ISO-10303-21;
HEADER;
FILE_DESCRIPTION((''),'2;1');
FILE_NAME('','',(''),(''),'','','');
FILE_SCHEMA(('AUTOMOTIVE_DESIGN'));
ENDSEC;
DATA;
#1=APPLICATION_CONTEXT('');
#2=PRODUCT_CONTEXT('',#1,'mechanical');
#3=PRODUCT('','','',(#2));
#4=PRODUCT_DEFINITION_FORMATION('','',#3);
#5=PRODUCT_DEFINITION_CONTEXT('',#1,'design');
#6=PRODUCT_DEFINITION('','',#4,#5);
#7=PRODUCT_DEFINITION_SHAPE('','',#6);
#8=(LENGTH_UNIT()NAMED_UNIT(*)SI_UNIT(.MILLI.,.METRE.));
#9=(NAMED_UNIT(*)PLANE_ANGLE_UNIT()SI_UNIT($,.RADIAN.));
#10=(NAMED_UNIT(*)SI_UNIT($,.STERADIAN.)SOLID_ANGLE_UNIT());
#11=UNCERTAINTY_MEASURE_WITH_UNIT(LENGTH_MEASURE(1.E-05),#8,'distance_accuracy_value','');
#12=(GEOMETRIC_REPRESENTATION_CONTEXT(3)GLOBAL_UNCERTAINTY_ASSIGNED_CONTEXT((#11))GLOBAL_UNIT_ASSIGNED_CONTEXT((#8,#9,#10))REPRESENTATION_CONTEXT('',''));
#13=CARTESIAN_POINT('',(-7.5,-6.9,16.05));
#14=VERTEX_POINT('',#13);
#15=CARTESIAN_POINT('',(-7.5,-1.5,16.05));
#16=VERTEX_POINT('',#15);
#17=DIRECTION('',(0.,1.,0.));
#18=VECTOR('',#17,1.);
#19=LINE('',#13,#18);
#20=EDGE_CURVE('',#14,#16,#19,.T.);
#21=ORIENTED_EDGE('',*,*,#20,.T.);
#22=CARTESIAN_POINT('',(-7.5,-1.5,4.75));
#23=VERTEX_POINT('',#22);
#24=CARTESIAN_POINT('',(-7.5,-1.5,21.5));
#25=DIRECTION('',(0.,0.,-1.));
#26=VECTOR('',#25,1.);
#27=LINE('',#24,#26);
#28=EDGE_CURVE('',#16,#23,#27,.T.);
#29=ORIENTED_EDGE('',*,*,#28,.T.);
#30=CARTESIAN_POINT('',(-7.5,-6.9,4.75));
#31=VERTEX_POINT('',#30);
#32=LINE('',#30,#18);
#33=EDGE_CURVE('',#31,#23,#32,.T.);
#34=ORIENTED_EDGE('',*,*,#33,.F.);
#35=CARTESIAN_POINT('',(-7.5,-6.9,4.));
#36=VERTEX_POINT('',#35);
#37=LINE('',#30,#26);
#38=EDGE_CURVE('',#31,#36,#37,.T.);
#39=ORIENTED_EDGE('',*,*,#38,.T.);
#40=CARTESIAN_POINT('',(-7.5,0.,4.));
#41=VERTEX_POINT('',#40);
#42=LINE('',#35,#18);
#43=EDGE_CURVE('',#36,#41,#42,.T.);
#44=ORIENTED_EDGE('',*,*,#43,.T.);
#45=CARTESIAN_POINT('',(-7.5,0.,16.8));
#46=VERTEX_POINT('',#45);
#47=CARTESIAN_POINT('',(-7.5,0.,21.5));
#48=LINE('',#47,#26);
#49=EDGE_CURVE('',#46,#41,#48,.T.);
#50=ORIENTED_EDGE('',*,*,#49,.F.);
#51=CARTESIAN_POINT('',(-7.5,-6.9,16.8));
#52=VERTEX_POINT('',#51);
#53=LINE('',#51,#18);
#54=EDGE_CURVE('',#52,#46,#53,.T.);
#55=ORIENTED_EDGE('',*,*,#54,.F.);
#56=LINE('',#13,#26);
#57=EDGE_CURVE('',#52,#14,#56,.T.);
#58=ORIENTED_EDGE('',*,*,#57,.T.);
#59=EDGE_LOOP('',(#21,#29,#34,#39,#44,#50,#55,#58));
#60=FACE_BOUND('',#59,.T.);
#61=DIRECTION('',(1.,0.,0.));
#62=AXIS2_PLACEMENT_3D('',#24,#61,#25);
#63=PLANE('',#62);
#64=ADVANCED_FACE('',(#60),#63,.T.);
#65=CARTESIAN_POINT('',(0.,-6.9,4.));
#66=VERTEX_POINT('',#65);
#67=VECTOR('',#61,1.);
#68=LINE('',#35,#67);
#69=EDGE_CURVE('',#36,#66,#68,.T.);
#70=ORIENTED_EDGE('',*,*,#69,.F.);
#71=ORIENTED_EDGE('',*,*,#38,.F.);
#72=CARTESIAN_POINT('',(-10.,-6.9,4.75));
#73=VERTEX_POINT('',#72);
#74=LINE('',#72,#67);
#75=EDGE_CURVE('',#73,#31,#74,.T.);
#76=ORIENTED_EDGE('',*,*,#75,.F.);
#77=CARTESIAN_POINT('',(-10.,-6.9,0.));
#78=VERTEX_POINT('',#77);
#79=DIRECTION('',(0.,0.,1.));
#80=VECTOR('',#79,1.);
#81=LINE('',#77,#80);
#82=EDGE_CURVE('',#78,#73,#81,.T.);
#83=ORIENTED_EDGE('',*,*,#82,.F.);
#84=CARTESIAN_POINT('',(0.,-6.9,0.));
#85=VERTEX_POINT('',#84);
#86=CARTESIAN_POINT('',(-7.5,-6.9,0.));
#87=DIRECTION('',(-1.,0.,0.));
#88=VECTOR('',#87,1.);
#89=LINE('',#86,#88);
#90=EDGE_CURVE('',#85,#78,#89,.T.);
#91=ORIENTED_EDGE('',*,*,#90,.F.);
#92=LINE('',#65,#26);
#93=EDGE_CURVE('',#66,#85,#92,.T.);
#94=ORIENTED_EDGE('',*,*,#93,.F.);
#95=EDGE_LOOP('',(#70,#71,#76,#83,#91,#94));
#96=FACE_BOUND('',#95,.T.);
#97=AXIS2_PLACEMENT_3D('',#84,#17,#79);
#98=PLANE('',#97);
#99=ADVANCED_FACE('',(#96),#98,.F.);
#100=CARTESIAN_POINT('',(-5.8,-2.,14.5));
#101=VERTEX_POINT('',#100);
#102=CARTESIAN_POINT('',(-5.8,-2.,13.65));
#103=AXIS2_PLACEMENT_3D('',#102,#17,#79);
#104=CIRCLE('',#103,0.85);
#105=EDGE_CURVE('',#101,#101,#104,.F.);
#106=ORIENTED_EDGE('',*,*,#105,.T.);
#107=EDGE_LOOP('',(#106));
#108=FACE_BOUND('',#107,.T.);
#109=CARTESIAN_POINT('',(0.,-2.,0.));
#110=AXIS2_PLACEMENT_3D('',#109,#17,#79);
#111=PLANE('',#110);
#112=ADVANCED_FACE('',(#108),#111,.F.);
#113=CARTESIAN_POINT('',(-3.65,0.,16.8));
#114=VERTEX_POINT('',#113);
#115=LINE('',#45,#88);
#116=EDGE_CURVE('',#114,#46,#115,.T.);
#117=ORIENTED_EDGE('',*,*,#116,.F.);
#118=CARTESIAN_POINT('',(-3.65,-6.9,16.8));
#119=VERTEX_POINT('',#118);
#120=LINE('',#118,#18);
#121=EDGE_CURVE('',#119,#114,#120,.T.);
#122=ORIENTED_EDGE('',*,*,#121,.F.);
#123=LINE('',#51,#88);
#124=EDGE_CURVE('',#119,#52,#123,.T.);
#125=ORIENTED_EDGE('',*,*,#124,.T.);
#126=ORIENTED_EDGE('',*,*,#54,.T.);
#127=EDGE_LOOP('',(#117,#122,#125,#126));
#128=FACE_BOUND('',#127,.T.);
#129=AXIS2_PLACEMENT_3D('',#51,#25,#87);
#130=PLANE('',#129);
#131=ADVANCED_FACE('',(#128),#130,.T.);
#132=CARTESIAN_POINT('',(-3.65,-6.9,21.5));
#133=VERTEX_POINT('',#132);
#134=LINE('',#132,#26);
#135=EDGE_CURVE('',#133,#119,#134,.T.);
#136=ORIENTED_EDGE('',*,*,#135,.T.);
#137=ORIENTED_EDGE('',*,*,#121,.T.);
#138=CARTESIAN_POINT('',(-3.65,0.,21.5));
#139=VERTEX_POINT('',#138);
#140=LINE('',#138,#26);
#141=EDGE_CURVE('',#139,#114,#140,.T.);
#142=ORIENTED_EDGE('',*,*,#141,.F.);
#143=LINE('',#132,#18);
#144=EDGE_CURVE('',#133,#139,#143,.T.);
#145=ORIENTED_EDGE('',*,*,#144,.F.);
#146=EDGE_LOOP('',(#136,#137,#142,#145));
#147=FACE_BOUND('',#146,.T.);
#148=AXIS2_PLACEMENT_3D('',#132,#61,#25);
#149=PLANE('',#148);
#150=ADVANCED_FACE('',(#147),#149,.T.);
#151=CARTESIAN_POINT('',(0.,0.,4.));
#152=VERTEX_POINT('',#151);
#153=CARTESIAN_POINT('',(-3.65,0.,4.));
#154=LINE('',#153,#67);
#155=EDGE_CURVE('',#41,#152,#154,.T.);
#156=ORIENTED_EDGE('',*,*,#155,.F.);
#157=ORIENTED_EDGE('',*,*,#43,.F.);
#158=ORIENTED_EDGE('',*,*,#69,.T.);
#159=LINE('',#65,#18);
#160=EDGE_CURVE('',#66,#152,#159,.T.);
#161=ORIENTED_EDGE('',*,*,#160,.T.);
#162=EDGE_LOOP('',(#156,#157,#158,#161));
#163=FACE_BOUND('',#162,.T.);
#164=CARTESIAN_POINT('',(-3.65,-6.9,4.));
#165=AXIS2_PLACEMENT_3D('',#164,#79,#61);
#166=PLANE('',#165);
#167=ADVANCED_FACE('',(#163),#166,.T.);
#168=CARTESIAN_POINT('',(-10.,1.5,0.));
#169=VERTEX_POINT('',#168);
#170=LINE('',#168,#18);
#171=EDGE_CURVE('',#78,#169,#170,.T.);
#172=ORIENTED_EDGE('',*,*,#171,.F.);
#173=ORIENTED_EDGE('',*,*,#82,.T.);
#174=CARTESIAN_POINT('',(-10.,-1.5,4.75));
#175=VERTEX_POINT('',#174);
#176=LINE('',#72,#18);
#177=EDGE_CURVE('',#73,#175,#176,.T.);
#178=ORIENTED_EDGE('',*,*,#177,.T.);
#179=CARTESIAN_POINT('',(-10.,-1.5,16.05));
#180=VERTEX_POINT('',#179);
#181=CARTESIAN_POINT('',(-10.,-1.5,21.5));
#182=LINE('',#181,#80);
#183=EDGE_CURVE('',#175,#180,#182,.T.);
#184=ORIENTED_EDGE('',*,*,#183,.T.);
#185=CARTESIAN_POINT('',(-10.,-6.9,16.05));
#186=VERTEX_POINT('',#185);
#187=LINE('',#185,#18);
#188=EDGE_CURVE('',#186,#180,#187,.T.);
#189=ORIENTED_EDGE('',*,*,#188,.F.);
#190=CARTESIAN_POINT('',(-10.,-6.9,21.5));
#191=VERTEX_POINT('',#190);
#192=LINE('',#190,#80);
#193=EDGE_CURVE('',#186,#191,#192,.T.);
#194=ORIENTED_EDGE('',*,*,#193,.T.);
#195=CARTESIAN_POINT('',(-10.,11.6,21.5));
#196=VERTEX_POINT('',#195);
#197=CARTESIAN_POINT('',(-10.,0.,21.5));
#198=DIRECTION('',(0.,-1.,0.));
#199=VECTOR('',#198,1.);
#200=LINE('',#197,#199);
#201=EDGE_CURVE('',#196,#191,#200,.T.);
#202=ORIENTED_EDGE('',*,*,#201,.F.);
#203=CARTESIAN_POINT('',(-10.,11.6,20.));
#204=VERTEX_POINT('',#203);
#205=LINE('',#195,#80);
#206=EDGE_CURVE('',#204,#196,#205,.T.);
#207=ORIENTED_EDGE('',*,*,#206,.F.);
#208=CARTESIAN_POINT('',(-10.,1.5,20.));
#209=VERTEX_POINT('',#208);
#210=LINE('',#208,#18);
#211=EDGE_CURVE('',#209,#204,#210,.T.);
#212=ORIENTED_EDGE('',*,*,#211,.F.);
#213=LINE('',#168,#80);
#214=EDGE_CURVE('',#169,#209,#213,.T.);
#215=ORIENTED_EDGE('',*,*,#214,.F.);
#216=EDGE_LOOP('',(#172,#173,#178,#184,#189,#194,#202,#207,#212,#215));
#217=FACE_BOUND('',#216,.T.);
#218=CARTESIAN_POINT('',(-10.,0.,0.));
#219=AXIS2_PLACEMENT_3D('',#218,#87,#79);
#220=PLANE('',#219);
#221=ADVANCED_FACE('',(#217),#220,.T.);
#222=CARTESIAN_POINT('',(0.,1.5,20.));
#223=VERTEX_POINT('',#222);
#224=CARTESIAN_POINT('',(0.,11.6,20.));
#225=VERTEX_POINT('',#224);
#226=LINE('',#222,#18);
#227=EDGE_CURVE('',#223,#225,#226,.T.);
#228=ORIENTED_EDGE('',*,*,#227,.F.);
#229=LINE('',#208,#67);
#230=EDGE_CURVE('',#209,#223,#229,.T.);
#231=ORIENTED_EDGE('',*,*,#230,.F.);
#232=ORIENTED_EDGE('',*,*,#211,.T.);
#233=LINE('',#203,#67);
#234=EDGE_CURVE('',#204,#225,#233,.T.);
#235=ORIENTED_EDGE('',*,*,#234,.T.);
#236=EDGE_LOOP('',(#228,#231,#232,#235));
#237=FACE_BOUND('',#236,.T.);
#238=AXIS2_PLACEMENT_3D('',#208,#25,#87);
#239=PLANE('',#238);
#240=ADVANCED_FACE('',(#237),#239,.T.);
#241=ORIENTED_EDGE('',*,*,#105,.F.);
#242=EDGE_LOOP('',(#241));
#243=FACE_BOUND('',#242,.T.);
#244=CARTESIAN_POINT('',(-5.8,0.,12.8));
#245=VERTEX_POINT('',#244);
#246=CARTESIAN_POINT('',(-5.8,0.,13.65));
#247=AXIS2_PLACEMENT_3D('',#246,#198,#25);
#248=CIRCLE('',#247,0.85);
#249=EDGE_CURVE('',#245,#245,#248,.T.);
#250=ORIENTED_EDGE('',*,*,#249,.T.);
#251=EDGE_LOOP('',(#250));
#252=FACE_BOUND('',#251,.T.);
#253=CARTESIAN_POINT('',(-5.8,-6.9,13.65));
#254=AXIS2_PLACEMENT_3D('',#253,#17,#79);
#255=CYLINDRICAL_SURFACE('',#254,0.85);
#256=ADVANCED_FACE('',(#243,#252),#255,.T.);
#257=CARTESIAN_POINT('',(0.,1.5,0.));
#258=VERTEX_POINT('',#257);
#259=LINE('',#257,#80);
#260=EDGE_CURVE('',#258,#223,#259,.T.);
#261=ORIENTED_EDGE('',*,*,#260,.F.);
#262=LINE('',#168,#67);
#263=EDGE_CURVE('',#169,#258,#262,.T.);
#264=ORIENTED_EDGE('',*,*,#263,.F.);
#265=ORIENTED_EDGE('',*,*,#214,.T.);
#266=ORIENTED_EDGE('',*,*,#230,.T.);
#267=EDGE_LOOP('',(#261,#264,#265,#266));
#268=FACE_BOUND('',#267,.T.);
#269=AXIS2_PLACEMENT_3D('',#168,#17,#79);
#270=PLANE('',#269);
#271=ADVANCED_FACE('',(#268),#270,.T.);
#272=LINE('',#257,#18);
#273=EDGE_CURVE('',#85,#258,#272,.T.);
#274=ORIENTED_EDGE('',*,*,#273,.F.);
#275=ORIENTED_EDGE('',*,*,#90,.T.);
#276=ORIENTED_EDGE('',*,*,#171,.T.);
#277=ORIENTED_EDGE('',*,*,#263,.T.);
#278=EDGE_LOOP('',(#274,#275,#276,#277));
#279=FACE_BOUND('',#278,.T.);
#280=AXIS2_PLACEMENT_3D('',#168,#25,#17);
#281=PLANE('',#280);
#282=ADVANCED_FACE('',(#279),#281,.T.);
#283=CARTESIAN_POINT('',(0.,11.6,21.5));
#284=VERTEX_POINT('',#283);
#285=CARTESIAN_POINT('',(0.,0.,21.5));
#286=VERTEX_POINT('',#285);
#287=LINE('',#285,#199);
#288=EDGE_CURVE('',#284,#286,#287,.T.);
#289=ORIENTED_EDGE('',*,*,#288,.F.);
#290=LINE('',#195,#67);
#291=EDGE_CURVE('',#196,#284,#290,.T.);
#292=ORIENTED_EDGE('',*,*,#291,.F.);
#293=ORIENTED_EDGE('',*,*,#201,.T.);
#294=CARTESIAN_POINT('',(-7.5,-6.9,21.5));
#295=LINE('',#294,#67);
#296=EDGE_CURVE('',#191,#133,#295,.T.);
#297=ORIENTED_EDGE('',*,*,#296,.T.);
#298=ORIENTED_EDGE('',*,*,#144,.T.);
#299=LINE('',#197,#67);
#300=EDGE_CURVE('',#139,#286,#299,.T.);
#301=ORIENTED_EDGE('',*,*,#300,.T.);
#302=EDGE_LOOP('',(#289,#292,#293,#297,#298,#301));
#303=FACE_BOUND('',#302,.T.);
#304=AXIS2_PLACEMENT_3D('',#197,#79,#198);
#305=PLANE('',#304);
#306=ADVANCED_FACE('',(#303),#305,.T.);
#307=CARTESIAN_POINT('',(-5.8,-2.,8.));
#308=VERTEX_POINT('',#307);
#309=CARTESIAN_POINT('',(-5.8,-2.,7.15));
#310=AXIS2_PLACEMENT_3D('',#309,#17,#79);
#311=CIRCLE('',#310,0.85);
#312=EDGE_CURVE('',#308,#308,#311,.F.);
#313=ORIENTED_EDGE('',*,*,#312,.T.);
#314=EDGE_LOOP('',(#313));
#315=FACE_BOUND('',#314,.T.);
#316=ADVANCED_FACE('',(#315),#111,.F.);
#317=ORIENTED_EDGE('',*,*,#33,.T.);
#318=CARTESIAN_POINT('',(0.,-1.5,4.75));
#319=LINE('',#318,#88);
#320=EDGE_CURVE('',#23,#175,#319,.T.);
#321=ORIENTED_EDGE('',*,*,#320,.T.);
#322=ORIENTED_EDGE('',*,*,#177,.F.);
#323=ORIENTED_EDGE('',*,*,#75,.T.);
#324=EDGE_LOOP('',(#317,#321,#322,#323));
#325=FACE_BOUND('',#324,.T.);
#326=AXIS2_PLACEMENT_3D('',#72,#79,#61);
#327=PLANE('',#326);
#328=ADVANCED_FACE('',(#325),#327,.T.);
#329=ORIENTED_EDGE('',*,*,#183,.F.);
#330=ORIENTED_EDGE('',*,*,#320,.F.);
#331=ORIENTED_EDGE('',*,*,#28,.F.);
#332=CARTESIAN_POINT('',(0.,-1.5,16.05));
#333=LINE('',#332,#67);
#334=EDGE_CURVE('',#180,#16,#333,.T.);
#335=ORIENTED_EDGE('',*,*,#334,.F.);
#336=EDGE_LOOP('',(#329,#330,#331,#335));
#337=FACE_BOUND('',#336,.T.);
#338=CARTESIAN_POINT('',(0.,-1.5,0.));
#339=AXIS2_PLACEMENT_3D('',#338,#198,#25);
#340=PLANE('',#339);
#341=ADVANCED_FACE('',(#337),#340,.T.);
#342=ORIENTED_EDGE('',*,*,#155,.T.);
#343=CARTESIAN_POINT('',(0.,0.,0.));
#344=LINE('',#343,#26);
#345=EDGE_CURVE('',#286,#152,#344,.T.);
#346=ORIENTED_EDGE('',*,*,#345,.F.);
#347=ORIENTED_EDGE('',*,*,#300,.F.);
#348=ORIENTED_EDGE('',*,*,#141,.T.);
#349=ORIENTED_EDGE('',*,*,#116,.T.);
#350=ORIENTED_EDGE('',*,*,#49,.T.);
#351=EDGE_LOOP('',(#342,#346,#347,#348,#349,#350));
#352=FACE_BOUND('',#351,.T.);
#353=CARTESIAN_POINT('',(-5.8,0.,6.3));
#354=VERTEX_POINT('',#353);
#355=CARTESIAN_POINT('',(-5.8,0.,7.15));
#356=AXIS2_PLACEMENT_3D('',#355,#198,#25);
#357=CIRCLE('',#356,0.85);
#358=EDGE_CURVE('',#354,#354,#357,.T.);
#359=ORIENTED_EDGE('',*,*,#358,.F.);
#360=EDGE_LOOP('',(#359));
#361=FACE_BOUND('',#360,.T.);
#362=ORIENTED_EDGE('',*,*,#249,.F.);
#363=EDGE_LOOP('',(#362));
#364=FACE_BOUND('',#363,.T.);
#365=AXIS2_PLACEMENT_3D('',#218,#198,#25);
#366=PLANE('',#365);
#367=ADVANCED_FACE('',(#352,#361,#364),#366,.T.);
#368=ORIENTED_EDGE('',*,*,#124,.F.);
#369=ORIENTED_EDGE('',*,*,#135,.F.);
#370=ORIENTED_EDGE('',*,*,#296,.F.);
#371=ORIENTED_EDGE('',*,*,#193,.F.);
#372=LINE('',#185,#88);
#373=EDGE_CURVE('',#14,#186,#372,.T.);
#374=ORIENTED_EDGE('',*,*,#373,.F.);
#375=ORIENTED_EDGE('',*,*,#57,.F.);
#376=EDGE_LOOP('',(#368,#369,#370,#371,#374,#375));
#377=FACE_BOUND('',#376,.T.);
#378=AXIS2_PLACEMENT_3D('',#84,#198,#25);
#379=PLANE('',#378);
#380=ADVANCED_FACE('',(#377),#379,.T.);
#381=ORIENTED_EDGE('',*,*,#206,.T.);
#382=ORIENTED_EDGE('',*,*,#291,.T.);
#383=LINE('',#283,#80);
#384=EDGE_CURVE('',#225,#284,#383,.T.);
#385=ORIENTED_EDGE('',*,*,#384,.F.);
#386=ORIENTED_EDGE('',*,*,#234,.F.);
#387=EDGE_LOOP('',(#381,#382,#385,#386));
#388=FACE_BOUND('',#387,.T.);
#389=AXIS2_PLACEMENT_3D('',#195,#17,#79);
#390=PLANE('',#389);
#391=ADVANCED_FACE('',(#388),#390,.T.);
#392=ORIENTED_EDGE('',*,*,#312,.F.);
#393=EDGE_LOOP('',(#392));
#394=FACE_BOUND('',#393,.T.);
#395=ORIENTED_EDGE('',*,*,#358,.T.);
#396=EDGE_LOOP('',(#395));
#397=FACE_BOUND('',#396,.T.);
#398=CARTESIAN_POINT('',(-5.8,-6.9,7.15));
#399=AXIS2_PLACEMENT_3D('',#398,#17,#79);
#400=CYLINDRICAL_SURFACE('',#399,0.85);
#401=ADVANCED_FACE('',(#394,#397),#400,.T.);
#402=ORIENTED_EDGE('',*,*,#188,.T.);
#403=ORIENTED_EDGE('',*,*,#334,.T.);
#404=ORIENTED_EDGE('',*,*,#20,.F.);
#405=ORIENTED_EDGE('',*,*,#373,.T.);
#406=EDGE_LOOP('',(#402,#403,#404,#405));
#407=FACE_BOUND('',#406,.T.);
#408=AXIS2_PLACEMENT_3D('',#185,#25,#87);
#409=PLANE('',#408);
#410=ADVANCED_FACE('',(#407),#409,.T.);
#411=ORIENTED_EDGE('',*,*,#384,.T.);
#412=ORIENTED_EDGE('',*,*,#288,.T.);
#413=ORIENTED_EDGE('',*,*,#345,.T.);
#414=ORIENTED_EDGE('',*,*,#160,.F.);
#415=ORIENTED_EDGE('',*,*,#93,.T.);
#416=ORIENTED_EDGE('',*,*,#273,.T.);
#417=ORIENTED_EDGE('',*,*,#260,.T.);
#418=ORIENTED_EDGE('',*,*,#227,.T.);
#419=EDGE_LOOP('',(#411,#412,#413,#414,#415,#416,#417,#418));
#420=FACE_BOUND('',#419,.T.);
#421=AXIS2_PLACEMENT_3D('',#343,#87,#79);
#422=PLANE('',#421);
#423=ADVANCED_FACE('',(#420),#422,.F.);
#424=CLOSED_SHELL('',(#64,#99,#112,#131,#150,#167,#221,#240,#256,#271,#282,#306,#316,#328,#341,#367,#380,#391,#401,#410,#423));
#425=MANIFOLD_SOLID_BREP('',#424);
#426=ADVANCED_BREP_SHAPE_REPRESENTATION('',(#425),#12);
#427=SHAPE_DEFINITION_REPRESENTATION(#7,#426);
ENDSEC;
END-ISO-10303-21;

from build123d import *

# Parameters (mm, degrees)
EXTRUDE_3_DEPTH     = 10
SKETCH_4_W          = 2.5
SKETCH_4_H          = 21.5
EXTRUDE_4_DEPTH     = 1.5
SKETCH_5_R          = 0.85
EXTRUDE_5_DEPTH     = 6.9
CUT_EXTRUDE_START   = 2
SKETCH_6_W          = 3.85
SKETCH_6_H          = 12.8
CUT_EXTRUDE_1_DEPTH = 25.397158938


with BuildPart() as part:
    # Эскиз3 → Бобышка-Вытянуть3 (new body)
    with BuildSketch(Plane(origin=(0, 0, 0), x_dir=(0, 0, -1), z_dir=(1, 0, 0))):
        Polygon((0, 0), (-21.5, 0), (-21.5, 11.6), (-20, 11.6), (-20, 1.5), (0, 1.5), align=None)
    extrude(amount=-EXTRUDE_3_DEPTH)

    # Эскиз4 → Бобышка-Вытянуть4 (add)
    with BuildSketch(Plane(origin=(0, 0, 0), x_dir=(1, 0, 0), z_dir=(0, 1, 0))):
        with Locations((-8.75, -10.75)):
            Rectangle(SKETCH_4_W, SKETCH_4_H)
    extrude(amount=-EXTRUDE_4_DEPTH)

    # Эскиз5 → Бобышка-Вытянуть5 (add)
    with BuildSketch(Plane(origin=(0, 0, 0), x_dir=(1, 0, 0), z_dir=(0, 1, 0))):
        with Locations(Location((-5.8, -7.15, 0), (0, 0, 270))):
            Circle(SKETCH_5_R)
        with Locations(Location((-5.8, -13.65, 0), (0, 0, 270))):
            Circle(SKETCH_5_R)
        Polygon((-7.5, 0), (-3.65, 0), (0, 0), (0, -4), (-3.65, -4), (-7.5, -4), (-7.5, -4.75), (-10, -4.75), (-10, 0), align=None)
        Polygon((-7.5, -21.5), (-3.65, -21.5), (-3.65, -16.8), (-7.5, -16.8), (-7.5, -16.05), (-10, -16.05), (-10, -21.5), align=None)
    extrude(amount=-EXTRUDE_5_DEPTH)

    # Эскиз6 → Вырез-Вытянуть1 (cut, through all)
    with BuildSketch(Plane.XZ.offset(CUT_EXTRUDE_START)):
        with Locations((-5.575, 10.4)):
            Rectangle(SKETCH_6_W, SKETCH_6_H)
    extrude(amount=CUT_EXTRUDE_1_DEPTH, mode=Mode.SUBTRACT)


solid = part.part
